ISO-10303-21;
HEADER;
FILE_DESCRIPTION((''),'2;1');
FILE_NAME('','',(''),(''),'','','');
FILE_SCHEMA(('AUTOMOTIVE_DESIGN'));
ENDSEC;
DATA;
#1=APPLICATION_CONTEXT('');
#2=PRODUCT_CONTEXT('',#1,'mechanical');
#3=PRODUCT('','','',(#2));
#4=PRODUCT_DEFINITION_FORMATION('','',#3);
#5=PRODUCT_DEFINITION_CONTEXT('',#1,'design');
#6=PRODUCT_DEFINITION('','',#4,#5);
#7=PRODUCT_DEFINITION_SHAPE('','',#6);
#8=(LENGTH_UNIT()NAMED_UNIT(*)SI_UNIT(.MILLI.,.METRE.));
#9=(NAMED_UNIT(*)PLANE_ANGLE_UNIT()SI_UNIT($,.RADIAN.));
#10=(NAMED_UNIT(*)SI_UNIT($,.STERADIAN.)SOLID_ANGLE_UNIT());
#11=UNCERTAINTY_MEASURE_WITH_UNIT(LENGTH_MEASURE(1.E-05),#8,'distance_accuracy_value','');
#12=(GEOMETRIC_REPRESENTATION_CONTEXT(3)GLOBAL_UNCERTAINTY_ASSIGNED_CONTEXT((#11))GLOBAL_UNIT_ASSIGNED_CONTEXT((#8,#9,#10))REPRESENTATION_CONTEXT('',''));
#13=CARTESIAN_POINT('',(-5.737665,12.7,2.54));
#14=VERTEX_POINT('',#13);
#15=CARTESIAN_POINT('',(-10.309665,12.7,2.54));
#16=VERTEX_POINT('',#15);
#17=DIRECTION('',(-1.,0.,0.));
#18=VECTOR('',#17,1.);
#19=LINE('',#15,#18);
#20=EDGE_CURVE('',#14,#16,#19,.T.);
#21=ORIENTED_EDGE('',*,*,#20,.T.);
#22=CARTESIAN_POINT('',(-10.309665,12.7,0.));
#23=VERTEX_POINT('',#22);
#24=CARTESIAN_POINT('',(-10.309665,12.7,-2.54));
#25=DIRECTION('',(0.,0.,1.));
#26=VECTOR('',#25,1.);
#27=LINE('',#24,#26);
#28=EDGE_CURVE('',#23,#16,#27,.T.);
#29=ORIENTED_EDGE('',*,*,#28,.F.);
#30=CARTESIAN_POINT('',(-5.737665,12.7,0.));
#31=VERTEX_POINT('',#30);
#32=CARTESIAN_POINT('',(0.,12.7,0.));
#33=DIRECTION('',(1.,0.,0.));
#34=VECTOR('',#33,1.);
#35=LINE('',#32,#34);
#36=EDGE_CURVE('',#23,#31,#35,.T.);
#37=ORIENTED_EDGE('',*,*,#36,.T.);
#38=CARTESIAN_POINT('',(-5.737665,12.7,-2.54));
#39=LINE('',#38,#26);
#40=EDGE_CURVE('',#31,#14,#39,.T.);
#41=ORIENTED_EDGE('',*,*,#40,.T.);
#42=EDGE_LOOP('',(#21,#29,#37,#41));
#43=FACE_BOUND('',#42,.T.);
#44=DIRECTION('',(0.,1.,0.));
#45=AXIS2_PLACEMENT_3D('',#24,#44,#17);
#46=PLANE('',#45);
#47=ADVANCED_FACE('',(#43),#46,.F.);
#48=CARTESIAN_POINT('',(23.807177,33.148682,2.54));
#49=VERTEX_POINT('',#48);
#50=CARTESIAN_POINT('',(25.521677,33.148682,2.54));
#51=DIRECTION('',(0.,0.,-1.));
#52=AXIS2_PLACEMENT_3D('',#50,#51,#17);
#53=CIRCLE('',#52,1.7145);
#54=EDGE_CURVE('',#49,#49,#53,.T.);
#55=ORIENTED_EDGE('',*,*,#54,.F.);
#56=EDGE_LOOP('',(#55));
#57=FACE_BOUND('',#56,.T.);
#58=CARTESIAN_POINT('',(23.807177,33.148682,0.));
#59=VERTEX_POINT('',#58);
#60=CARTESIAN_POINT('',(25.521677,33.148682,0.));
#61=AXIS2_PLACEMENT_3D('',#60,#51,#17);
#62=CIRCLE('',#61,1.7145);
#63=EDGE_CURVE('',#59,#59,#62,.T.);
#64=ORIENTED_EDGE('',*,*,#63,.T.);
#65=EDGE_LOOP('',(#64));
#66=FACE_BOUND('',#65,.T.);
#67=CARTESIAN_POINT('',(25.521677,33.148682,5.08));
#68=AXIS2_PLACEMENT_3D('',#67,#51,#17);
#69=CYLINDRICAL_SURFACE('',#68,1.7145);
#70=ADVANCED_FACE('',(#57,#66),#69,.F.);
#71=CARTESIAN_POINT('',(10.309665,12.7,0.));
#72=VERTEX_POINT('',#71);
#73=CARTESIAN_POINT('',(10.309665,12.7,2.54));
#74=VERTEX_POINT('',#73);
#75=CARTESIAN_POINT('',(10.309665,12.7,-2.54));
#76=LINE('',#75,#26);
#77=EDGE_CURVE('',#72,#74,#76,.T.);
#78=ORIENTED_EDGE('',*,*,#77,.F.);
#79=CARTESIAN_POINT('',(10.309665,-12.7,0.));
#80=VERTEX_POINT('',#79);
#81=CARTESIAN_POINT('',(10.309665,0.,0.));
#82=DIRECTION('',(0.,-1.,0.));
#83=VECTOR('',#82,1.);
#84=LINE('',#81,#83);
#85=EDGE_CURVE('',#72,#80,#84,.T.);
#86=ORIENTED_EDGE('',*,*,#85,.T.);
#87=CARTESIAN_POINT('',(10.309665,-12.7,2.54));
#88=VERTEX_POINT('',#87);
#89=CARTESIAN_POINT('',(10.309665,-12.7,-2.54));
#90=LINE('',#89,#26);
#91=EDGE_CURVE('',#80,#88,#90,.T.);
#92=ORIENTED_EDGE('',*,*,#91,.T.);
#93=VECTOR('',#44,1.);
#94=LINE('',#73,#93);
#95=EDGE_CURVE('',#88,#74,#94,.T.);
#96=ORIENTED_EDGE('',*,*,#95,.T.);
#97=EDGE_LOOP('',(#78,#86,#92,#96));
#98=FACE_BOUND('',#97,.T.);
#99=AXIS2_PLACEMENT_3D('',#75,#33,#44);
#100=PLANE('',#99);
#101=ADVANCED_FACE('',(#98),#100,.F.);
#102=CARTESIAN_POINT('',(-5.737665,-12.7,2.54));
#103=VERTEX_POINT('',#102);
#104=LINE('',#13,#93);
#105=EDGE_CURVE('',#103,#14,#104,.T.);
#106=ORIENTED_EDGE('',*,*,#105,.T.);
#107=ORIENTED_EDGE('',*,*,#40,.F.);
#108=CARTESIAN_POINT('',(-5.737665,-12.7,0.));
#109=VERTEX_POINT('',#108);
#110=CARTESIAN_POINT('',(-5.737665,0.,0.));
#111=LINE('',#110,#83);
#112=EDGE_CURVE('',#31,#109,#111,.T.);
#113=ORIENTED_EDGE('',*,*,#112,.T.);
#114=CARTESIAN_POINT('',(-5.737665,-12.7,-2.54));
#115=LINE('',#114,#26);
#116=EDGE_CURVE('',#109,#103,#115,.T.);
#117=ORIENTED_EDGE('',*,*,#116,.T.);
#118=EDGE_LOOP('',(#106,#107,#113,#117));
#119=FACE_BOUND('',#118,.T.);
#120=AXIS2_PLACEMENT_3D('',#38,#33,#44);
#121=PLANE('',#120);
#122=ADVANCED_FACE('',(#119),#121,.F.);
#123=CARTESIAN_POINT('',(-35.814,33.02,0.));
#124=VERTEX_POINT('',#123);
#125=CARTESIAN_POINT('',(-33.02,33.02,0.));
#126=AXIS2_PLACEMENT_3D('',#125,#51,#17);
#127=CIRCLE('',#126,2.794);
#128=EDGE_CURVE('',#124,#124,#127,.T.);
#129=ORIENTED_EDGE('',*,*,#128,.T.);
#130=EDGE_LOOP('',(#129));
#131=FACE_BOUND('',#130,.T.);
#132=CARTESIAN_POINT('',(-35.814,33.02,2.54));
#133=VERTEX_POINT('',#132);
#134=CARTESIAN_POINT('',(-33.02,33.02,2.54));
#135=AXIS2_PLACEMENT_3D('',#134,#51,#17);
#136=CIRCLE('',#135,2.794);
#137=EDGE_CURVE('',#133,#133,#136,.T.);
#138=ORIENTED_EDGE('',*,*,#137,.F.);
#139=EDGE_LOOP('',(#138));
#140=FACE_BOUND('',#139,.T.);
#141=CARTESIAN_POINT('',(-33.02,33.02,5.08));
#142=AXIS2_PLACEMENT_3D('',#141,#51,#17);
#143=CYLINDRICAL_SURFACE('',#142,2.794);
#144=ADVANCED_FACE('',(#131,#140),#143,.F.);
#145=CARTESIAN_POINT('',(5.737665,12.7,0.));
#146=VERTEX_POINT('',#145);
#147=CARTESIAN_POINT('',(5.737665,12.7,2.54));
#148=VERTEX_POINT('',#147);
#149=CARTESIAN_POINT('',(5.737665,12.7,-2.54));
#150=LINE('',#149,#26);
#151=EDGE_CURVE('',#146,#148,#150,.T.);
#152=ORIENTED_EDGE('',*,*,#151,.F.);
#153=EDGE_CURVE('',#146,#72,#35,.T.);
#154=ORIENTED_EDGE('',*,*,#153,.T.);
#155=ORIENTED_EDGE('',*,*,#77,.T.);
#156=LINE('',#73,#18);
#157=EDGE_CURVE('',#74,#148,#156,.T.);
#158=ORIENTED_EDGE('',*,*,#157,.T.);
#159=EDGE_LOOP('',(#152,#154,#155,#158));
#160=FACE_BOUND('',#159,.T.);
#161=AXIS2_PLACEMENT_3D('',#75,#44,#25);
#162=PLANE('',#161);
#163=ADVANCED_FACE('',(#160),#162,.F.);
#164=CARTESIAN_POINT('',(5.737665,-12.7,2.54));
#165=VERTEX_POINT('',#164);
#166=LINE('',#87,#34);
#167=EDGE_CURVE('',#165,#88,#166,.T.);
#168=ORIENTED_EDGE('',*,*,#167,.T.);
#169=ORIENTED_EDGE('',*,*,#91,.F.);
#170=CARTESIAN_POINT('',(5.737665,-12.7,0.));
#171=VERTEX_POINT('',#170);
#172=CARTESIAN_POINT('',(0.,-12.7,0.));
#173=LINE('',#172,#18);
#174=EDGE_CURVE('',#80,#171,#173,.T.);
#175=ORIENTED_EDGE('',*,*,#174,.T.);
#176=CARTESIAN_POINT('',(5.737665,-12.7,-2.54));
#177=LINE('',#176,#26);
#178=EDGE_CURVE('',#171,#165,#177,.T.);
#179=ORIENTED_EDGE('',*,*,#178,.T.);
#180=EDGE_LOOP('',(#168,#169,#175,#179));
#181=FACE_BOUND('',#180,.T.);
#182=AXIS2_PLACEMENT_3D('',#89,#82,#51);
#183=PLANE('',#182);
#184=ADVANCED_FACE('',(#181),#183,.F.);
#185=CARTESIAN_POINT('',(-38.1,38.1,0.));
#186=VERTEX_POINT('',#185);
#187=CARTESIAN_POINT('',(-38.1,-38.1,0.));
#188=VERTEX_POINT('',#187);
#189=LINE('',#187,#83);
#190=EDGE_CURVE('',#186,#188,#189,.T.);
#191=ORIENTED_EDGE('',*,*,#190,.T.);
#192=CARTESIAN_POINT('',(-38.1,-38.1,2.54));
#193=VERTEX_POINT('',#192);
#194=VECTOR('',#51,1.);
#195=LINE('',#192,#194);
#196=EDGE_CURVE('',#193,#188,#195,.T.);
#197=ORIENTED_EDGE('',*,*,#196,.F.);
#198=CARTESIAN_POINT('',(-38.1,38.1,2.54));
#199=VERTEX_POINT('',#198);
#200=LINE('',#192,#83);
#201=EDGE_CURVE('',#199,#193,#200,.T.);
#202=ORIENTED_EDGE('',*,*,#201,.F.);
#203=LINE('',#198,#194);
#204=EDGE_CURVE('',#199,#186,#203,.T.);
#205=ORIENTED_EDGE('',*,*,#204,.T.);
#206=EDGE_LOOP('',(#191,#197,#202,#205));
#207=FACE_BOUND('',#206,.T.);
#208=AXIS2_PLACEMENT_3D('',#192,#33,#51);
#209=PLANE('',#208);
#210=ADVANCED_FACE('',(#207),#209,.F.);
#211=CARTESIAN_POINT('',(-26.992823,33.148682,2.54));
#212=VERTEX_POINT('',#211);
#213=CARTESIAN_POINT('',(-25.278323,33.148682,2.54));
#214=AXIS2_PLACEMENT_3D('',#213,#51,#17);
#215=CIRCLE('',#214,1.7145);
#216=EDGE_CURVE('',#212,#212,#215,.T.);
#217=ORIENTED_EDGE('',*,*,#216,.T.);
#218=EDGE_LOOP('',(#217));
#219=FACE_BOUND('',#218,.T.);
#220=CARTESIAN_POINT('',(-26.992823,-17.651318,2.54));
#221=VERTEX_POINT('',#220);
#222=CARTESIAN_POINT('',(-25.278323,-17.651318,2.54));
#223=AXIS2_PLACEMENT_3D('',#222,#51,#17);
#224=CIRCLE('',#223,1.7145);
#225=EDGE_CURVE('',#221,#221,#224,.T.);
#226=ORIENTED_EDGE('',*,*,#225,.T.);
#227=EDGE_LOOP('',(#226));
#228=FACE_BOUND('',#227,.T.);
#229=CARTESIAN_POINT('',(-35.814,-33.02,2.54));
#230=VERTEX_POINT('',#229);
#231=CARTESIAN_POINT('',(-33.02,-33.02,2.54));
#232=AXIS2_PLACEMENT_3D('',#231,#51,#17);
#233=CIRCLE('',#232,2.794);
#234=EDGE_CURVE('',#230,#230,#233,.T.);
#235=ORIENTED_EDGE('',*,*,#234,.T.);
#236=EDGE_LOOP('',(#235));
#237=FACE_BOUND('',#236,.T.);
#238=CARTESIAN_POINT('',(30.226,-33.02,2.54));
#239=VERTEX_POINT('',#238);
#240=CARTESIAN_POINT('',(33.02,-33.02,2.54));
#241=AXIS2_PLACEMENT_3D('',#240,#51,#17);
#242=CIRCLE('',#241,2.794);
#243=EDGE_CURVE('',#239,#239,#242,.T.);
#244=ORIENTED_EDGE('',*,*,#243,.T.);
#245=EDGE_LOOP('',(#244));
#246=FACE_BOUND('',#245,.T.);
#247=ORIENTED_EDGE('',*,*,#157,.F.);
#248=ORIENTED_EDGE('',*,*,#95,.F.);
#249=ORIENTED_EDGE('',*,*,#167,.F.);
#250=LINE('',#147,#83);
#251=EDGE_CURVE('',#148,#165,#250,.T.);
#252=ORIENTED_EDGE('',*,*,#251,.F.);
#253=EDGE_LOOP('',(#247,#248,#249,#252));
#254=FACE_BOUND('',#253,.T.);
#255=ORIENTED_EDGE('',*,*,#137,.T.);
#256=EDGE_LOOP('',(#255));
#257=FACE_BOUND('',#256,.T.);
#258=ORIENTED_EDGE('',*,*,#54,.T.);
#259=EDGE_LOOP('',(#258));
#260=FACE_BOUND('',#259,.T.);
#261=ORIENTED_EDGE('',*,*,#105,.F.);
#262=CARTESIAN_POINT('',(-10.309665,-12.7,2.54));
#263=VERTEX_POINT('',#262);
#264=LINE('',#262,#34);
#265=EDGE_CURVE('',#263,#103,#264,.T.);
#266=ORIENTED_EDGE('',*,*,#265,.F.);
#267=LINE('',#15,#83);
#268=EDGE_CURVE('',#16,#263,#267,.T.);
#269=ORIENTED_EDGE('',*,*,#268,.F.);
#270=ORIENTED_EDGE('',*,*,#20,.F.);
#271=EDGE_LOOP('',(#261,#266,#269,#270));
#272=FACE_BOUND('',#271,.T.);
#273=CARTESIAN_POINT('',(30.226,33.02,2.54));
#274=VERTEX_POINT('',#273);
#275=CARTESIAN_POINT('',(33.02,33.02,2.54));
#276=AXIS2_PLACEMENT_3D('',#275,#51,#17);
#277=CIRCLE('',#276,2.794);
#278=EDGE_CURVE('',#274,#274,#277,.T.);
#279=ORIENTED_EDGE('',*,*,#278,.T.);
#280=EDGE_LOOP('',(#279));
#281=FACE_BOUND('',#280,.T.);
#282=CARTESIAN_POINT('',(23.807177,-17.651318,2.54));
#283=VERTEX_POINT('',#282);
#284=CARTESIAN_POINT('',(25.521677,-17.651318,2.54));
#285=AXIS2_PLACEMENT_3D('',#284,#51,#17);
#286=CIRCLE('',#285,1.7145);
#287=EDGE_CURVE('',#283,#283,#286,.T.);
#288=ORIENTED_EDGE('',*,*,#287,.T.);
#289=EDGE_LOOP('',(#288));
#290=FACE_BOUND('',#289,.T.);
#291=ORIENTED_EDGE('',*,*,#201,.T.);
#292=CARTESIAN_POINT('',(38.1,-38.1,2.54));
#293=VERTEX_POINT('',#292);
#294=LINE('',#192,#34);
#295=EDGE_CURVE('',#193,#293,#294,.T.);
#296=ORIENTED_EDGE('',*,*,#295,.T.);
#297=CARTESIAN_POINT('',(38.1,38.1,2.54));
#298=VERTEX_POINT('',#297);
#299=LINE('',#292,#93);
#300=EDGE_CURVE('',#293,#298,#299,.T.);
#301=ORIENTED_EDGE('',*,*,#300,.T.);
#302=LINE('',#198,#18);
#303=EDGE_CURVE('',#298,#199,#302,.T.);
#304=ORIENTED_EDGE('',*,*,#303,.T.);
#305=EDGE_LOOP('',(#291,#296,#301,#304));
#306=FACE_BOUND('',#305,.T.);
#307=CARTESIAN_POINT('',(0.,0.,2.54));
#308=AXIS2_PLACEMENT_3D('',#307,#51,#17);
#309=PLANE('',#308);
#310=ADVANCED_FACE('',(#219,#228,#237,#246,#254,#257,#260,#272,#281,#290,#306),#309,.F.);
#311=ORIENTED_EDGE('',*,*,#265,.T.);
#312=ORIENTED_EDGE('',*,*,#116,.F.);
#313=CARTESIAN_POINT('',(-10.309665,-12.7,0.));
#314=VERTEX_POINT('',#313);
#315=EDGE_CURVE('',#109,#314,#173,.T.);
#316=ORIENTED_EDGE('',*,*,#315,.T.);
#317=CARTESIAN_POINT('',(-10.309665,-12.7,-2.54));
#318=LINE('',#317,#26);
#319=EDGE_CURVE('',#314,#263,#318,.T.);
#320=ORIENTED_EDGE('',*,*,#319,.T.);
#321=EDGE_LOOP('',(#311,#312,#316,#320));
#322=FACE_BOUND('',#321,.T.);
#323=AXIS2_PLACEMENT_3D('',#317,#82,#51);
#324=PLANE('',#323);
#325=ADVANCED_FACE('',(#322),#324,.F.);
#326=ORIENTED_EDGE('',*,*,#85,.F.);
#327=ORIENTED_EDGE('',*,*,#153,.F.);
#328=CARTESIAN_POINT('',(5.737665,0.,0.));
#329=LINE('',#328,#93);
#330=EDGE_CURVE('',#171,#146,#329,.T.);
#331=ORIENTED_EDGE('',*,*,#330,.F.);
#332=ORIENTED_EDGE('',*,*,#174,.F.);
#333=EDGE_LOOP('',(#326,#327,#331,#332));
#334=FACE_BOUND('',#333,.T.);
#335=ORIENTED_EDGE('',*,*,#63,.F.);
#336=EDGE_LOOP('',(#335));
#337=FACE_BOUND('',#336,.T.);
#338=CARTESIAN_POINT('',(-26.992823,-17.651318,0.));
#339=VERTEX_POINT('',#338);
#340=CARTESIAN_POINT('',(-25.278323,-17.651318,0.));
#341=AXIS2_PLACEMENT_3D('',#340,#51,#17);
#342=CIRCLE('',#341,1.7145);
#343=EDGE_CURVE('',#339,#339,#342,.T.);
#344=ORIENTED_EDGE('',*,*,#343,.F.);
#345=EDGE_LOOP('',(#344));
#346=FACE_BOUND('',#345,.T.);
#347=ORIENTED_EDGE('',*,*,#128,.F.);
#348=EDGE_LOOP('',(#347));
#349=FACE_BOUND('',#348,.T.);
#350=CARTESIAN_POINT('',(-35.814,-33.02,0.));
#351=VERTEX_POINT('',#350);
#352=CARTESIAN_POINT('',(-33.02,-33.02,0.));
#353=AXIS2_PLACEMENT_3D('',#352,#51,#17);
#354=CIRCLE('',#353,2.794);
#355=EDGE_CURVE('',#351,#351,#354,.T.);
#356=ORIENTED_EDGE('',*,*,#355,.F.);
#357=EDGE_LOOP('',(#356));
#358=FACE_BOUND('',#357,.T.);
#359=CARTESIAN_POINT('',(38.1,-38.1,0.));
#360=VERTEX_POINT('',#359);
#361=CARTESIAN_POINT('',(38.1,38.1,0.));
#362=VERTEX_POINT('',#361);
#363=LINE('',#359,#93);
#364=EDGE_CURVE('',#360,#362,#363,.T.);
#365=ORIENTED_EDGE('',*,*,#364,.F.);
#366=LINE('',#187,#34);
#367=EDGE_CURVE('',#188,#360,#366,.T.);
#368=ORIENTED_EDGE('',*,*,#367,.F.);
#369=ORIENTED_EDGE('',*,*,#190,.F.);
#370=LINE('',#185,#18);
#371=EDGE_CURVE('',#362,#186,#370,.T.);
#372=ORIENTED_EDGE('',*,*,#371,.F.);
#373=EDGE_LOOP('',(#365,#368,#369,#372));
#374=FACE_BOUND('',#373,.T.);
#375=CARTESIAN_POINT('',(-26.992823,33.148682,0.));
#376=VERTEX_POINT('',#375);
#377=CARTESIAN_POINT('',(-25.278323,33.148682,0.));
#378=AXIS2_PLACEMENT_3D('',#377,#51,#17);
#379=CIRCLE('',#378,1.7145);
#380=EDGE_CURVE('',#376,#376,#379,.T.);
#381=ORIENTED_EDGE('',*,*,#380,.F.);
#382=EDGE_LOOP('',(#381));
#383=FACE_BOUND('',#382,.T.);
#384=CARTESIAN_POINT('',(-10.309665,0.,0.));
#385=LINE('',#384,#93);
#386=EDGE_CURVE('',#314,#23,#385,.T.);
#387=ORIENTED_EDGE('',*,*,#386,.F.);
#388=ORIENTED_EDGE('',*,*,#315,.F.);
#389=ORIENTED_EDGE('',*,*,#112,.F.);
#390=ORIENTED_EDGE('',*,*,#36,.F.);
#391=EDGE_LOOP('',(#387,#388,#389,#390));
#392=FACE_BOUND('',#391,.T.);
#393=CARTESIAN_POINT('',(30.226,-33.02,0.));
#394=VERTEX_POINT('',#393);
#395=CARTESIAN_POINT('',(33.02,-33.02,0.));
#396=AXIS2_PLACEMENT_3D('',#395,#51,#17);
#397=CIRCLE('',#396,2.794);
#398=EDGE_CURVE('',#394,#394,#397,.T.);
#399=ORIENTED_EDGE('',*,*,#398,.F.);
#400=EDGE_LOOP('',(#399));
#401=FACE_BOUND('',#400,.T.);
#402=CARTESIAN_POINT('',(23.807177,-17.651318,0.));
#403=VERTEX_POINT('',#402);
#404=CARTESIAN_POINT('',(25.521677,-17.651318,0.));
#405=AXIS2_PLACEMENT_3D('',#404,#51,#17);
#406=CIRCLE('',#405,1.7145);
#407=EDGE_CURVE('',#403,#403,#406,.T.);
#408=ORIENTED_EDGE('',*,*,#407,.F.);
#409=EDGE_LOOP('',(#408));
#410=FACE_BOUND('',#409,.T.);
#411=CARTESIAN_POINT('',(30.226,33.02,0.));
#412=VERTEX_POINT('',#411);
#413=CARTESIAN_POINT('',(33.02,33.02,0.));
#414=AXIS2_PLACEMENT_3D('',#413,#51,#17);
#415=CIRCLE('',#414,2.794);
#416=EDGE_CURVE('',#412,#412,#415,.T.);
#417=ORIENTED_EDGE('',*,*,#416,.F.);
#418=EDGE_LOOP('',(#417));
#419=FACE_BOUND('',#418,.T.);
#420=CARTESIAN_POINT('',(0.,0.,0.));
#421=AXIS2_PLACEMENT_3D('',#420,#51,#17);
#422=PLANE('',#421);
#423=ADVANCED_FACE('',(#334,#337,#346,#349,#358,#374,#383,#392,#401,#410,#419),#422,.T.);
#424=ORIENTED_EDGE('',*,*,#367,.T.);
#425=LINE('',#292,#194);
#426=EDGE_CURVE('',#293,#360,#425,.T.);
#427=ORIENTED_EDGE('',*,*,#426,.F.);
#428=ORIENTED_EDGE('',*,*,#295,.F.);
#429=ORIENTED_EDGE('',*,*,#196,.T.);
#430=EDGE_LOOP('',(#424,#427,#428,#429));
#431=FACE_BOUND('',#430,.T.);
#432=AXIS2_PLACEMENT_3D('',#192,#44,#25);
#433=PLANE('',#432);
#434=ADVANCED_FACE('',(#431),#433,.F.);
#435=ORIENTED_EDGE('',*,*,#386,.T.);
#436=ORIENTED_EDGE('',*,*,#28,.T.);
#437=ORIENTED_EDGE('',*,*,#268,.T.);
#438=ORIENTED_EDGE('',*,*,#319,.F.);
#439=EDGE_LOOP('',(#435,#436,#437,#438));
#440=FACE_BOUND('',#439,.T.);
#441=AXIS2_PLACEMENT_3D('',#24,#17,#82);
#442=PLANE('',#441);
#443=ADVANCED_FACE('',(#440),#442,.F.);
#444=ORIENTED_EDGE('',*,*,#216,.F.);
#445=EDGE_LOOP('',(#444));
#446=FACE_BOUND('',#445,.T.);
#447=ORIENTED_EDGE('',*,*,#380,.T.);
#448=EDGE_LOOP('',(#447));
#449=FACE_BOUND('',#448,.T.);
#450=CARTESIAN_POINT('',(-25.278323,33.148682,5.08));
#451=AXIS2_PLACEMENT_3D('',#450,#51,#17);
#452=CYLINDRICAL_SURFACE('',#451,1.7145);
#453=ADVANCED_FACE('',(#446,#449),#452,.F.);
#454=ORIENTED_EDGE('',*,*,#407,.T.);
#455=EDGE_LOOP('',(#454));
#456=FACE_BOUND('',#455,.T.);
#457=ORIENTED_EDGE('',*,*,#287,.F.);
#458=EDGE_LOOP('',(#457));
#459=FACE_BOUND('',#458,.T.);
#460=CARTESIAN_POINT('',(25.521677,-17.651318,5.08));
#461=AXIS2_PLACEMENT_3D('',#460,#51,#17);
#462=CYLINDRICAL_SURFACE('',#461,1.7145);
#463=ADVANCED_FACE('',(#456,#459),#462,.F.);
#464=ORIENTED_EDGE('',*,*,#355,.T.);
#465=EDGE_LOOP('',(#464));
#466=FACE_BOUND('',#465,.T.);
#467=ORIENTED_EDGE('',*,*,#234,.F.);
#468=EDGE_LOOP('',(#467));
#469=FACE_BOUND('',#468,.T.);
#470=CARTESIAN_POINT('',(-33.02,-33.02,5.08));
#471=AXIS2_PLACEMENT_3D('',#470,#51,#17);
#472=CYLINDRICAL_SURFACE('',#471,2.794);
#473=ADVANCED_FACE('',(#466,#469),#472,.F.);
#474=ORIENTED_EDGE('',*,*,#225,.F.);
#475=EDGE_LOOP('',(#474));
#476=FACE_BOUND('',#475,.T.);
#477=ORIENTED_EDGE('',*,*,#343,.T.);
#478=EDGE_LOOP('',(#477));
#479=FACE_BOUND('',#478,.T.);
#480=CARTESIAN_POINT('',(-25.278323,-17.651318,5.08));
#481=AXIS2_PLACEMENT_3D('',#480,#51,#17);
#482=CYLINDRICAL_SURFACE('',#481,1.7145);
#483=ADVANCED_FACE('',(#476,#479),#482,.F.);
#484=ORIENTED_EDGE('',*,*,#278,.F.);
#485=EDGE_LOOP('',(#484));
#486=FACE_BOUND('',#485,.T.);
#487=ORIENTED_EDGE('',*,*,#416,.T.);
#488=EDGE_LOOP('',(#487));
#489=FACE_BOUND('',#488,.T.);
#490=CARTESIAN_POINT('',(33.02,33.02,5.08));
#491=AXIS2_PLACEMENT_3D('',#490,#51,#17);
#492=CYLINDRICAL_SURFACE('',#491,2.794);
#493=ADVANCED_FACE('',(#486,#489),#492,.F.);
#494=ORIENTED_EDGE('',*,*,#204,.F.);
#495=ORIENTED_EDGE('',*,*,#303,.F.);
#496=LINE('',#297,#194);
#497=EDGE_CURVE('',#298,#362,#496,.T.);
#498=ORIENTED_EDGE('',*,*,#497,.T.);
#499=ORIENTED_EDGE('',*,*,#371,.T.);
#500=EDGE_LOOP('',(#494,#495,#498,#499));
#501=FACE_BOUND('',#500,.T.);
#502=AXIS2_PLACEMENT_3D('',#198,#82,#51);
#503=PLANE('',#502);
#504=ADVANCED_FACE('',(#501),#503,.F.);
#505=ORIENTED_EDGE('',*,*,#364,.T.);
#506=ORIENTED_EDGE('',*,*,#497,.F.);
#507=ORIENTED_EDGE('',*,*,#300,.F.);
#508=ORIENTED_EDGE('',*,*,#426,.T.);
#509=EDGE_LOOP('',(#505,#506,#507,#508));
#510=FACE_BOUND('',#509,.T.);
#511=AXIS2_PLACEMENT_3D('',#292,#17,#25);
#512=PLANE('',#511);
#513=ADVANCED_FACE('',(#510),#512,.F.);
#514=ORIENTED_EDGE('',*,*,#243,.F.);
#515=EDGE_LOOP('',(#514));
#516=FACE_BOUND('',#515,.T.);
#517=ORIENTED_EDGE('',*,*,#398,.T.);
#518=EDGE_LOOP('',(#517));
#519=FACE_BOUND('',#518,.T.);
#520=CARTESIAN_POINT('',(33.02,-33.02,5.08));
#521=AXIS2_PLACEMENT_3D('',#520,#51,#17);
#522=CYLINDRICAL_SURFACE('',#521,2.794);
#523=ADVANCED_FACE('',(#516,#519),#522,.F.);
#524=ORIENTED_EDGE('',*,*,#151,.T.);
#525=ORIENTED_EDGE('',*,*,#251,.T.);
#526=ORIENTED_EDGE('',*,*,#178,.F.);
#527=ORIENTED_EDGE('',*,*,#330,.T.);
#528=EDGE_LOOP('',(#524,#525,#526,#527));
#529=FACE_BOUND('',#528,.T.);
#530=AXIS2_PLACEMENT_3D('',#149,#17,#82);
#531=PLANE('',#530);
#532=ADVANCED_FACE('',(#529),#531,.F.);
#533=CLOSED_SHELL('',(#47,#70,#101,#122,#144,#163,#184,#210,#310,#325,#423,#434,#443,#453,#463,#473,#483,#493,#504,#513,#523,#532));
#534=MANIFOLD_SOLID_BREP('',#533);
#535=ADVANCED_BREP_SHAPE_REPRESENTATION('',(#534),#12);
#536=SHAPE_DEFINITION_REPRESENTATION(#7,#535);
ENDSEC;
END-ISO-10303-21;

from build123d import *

# Parameters (mm, degrees)
SKETCH2_W           = 76.2
SKETCH2_H           = 76.2
BOSS_EXTRUDE1_DEPTH = 2.54
SKETCH7_R           = 1.7145
CUT_EXTRUDE1_DEPTH  = 5.08
SKETCH9_W           = 4.572
SKETCH9_H           = 25.4
CUT_EXTRUDE2_DEPTH  = 5.08
SKETCH6_R           = 2.794
CUT_EXTRUDE3_DEPTH  = 5.08


with BuildPart() as part:
    # Sketch2 → Boss-Extrude1 (new body)
    with BuildSketch(Plane.XY):
        Rectangle(SKETCH2_W, SKETCH2_H)
    extrude(amount=BOSS_EXTRUDE1_DEPTH)

    # Sketch7 → Cut-Extrude1 (cut)
    with BuildSketch(Plane(origin=(0, 0, 0), x_dir=(-1, 0, 0), z_dir=(0, 0, -1))):
        with Locations((25.278322628, -17.651318113)):
            Circle(SKETCH7_R)
        with Locations((25.278322628, 33.148681887)):
            Circle(SKETCH7_R)
        with Locations((-25.521677372, 33.148681887)):
            Circle(SKETCH7_R)
        with Locations((-25.521677372, -17.651318113)):
            Circle(SKETCH7_R)
    extrude(amount=-CUT_EXTRUDE1_DEPTH, mode=Mode.SUBTRACT)

    # Sketch9 → Cut-Extrude2 (cut)
    with BuildSketch(Plane.XY.offset(2.54)):
        with Locations((8.023665405, 0)):
            Rectangle(SKETCH9_W, SKETCH9_H)
        with Locations((-8.023665405, 0)):
            Rectangle(SKETCH9_W, SKETCH9_H)
    extrude(amount=-CUT_EXTRUDE2_DEPTH, mode=Mode.SUBTRACT)

    # Sketch6 → Cut-Extrude3 (cut)
    with BuildSketch(Plane(origin=(0, 0, 0), x_dir=(-1, 0, 0), z_dir=(0, 0, -1))):
        with Locations((33.02, 33.02)):
            Circle(SKETCH6_R)
        with Locations((-33.02, 33.02)):
            Circle(SKETCH6_R)
        with Locations((-33.02, -33.02)):
            Circle(SKETCH6_R)
        with Locations((33.02, -33.02)):
            Circle(SKETCH6_R)
    extrude(amount=-CUT_EXTRUDE3_DEPTH, mode=Mode.SUBTRACT)


solid = part.part
